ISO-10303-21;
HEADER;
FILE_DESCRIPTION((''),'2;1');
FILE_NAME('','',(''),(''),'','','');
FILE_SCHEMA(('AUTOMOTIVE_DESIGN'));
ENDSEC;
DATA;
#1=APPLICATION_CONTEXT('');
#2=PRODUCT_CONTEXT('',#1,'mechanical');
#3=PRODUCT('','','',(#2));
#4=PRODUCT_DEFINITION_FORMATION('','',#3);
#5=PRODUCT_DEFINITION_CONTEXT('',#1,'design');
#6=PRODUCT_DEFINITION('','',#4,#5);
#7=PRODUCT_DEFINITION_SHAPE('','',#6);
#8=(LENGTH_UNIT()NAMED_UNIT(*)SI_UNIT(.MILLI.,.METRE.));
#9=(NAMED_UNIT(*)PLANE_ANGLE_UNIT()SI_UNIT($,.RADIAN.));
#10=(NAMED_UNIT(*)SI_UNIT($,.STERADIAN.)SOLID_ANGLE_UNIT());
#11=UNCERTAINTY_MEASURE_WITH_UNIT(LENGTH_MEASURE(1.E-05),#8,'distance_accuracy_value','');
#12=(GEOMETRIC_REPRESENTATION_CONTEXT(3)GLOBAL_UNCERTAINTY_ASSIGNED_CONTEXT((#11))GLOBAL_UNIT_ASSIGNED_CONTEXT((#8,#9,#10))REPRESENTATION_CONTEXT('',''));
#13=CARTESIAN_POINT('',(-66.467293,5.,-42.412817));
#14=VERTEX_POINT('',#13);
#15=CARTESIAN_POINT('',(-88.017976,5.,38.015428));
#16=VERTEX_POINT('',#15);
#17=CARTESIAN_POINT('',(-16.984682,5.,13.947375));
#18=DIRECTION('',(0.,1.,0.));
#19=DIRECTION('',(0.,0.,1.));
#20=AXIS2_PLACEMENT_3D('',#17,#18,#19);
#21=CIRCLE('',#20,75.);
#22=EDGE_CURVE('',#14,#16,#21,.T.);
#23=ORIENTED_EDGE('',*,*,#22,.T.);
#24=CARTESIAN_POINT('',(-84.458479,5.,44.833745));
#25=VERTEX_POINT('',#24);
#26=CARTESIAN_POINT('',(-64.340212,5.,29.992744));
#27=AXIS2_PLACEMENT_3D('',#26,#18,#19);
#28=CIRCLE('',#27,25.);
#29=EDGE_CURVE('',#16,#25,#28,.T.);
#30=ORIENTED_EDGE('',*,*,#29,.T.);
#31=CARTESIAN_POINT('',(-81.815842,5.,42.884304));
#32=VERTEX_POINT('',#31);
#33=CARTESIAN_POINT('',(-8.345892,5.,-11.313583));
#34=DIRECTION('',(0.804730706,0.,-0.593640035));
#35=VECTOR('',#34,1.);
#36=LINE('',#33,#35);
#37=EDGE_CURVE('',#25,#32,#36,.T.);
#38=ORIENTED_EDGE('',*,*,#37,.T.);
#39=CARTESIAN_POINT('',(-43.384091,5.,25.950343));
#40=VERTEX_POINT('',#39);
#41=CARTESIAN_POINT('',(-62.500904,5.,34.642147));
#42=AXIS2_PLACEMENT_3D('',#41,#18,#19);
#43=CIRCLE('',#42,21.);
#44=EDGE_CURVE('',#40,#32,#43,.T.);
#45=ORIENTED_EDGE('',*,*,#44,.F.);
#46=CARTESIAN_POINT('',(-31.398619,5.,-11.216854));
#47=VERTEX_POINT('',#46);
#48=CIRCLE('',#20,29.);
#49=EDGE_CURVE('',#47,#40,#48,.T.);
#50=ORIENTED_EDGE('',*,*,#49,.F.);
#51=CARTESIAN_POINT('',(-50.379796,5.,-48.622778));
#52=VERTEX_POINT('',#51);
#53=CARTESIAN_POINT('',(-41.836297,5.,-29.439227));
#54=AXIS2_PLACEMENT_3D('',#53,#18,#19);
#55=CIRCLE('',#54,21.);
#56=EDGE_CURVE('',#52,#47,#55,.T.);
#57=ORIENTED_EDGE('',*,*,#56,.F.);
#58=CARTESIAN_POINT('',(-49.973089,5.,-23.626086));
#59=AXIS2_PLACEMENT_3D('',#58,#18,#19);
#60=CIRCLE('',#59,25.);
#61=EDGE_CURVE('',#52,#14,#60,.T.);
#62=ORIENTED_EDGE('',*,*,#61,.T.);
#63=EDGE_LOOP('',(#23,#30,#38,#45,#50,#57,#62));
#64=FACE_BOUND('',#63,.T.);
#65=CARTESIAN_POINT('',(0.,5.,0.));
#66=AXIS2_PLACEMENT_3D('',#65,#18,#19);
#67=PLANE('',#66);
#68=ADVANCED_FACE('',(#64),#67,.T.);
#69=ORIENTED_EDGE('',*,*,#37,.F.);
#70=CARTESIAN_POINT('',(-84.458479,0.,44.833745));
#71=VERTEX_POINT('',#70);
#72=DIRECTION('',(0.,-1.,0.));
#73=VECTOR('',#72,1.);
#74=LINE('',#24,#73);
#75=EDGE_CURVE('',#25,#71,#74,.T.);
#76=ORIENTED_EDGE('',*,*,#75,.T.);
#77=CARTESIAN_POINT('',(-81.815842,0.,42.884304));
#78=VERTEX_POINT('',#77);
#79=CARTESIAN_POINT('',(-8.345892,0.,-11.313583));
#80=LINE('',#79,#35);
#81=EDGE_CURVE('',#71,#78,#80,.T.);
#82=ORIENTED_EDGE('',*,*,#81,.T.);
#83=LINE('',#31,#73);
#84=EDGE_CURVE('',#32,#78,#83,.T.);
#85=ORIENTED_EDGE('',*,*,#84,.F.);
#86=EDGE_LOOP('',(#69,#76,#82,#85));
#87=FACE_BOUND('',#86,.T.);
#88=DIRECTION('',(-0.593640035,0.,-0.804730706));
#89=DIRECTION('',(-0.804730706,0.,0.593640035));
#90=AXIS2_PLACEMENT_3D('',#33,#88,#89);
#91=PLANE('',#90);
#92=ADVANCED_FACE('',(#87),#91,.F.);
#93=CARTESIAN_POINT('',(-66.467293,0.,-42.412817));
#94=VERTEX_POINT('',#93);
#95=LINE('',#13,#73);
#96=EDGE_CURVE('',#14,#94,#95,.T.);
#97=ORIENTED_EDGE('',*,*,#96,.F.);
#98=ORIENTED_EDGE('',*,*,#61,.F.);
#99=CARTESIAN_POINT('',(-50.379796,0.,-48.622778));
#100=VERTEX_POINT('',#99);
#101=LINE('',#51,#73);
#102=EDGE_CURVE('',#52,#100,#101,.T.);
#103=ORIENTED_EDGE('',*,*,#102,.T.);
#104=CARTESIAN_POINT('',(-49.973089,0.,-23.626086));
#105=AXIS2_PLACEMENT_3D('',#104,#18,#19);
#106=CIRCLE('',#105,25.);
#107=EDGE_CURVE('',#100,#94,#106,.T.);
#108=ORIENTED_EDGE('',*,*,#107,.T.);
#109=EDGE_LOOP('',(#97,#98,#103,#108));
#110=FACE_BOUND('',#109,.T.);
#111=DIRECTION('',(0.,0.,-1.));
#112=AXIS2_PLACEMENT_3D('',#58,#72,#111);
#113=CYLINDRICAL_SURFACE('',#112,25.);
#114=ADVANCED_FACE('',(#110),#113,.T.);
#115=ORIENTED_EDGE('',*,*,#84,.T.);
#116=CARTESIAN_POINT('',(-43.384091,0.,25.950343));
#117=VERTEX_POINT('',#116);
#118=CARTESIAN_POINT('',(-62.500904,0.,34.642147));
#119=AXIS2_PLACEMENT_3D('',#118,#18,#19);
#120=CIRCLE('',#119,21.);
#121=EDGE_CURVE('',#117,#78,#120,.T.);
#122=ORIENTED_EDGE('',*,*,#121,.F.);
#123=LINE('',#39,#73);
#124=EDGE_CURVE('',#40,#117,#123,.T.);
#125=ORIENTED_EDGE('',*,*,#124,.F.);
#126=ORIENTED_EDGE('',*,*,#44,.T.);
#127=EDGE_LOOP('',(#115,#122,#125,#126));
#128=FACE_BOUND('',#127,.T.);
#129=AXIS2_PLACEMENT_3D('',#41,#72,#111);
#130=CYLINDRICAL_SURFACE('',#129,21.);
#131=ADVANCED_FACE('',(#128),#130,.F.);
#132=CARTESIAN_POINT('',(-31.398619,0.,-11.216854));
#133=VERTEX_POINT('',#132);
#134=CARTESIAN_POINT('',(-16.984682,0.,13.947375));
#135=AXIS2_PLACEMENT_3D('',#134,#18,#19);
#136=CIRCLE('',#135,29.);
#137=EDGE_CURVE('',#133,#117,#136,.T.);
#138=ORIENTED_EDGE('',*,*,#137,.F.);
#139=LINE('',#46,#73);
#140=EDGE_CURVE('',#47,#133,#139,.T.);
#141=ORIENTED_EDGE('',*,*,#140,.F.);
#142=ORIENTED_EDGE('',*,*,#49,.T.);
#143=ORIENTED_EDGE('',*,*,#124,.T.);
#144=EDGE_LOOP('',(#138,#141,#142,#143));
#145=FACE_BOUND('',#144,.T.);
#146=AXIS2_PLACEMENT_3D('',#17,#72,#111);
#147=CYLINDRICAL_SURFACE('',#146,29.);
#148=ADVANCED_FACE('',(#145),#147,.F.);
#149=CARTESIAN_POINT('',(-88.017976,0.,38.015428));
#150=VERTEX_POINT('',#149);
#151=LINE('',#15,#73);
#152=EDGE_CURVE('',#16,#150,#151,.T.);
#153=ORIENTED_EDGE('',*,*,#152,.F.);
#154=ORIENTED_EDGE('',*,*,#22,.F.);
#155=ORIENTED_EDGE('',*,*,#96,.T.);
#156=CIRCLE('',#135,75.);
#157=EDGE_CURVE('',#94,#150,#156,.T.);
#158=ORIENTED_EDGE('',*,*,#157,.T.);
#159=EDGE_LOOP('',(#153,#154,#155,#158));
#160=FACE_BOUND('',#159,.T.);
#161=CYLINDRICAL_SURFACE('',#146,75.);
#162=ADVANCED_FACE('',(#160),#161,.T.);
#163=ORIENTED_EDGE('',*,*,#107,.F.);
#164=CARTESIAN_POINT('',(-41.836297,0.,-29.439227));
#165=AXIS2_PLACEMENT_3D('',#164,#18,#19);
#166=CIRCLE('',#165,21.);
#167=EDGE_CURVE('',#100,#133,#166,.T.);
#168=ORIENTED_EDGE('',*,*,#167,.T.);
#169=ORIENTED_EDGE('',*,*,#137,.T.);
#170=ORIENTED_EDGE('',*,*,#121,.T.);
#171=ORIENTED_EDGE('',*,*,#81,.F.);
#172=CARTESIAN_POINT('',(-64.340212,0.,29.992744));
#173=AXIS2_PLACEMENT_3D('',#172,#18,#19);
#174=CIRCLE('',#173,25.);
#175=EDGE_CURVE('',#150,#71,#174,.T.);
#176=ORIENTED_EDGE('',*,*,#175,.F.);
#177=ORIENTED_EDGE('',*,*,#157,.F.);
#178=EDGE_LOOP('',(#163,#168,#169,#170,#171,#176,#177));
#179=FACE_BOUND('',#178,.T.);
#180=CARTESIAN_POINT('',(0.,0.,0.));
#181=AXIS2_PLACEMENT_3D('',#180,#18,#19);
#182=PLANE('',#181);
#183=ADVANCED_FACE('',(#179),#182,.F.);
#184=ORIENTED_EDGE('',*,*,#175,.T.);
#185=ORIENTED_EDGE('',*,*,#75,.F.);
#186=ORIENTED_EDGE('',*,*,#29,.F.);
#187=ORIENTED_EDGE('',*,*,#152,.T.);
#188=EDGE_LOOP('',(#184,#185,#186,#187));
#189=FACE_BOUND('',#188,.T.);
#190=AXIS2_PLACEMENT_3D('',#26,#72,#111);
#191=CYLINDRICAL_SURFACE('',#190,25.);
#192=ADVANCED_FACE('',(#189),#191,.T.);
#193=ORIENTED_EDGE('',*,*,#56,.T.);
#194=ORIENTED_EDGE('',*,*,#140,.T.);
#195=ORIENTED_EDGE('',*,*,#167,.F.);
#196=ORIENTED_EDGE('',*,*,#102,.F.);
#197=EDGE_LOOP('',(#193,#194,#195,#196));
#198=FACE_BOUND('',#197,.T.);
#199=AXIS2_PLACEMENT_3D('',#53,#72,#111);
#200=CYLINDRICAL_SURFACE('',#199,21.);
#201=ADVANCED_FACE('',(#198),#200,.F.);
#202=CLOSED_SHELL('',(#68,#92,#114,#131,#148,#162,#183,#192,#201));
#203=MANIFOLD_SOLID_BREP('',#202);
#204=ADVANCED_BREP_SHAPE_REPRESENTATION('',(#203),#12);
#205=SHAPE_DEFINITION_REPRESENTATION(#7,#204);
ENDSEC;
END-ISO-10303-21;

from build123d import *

# Parameters (mm, degrees)
BOSS_EXTRU_1_DEPTH = 5


with BuildPart() as part:
    # Esquisse1 → Boss.-Extru.1 (new body)
    with BuildSketch(Plane(origin=(0, 0, 0), x_dir=(1, 0, 0), z_dir=(0, 1, 0))):
        with BuildLine():
            ThreePointArc((-88.017976153, -38.015428103), (-86.50201361, -41.562295618), (-84.458479206, -44.833744647))
            Line((-84.458479206, -44.833744647), (-81.815842439, -42.884303709))
            ThreePointArc((-81.815842439, -42.884303709), (-70.968463998, -15.424955777), (-43.384090899, -25.950342641))
            ThreePointArc((-43.384090899, -25.950342641), (-44.585088361, -5.046948778), (-31.398618719, 11.21685423))
            ThreePointArc((-31.398618719, 11.21685423), (-60.563222829, 19.936478121), (-50.379796194, 48.622777911))
            ThreePointArc((-50.379796194, 48.622777911), (-58.97592755, 46.948798531), (-66.46729281, 42.41281707))
            ThreePointArc((-66.46729281, 42.41281707), (-89.429119341, 5.46405326), (-88.017976153, -38.015428103))
        make_face()
    extrude(amount=BOSS_EXTRU_1_DEPTH)


solid = part.part
